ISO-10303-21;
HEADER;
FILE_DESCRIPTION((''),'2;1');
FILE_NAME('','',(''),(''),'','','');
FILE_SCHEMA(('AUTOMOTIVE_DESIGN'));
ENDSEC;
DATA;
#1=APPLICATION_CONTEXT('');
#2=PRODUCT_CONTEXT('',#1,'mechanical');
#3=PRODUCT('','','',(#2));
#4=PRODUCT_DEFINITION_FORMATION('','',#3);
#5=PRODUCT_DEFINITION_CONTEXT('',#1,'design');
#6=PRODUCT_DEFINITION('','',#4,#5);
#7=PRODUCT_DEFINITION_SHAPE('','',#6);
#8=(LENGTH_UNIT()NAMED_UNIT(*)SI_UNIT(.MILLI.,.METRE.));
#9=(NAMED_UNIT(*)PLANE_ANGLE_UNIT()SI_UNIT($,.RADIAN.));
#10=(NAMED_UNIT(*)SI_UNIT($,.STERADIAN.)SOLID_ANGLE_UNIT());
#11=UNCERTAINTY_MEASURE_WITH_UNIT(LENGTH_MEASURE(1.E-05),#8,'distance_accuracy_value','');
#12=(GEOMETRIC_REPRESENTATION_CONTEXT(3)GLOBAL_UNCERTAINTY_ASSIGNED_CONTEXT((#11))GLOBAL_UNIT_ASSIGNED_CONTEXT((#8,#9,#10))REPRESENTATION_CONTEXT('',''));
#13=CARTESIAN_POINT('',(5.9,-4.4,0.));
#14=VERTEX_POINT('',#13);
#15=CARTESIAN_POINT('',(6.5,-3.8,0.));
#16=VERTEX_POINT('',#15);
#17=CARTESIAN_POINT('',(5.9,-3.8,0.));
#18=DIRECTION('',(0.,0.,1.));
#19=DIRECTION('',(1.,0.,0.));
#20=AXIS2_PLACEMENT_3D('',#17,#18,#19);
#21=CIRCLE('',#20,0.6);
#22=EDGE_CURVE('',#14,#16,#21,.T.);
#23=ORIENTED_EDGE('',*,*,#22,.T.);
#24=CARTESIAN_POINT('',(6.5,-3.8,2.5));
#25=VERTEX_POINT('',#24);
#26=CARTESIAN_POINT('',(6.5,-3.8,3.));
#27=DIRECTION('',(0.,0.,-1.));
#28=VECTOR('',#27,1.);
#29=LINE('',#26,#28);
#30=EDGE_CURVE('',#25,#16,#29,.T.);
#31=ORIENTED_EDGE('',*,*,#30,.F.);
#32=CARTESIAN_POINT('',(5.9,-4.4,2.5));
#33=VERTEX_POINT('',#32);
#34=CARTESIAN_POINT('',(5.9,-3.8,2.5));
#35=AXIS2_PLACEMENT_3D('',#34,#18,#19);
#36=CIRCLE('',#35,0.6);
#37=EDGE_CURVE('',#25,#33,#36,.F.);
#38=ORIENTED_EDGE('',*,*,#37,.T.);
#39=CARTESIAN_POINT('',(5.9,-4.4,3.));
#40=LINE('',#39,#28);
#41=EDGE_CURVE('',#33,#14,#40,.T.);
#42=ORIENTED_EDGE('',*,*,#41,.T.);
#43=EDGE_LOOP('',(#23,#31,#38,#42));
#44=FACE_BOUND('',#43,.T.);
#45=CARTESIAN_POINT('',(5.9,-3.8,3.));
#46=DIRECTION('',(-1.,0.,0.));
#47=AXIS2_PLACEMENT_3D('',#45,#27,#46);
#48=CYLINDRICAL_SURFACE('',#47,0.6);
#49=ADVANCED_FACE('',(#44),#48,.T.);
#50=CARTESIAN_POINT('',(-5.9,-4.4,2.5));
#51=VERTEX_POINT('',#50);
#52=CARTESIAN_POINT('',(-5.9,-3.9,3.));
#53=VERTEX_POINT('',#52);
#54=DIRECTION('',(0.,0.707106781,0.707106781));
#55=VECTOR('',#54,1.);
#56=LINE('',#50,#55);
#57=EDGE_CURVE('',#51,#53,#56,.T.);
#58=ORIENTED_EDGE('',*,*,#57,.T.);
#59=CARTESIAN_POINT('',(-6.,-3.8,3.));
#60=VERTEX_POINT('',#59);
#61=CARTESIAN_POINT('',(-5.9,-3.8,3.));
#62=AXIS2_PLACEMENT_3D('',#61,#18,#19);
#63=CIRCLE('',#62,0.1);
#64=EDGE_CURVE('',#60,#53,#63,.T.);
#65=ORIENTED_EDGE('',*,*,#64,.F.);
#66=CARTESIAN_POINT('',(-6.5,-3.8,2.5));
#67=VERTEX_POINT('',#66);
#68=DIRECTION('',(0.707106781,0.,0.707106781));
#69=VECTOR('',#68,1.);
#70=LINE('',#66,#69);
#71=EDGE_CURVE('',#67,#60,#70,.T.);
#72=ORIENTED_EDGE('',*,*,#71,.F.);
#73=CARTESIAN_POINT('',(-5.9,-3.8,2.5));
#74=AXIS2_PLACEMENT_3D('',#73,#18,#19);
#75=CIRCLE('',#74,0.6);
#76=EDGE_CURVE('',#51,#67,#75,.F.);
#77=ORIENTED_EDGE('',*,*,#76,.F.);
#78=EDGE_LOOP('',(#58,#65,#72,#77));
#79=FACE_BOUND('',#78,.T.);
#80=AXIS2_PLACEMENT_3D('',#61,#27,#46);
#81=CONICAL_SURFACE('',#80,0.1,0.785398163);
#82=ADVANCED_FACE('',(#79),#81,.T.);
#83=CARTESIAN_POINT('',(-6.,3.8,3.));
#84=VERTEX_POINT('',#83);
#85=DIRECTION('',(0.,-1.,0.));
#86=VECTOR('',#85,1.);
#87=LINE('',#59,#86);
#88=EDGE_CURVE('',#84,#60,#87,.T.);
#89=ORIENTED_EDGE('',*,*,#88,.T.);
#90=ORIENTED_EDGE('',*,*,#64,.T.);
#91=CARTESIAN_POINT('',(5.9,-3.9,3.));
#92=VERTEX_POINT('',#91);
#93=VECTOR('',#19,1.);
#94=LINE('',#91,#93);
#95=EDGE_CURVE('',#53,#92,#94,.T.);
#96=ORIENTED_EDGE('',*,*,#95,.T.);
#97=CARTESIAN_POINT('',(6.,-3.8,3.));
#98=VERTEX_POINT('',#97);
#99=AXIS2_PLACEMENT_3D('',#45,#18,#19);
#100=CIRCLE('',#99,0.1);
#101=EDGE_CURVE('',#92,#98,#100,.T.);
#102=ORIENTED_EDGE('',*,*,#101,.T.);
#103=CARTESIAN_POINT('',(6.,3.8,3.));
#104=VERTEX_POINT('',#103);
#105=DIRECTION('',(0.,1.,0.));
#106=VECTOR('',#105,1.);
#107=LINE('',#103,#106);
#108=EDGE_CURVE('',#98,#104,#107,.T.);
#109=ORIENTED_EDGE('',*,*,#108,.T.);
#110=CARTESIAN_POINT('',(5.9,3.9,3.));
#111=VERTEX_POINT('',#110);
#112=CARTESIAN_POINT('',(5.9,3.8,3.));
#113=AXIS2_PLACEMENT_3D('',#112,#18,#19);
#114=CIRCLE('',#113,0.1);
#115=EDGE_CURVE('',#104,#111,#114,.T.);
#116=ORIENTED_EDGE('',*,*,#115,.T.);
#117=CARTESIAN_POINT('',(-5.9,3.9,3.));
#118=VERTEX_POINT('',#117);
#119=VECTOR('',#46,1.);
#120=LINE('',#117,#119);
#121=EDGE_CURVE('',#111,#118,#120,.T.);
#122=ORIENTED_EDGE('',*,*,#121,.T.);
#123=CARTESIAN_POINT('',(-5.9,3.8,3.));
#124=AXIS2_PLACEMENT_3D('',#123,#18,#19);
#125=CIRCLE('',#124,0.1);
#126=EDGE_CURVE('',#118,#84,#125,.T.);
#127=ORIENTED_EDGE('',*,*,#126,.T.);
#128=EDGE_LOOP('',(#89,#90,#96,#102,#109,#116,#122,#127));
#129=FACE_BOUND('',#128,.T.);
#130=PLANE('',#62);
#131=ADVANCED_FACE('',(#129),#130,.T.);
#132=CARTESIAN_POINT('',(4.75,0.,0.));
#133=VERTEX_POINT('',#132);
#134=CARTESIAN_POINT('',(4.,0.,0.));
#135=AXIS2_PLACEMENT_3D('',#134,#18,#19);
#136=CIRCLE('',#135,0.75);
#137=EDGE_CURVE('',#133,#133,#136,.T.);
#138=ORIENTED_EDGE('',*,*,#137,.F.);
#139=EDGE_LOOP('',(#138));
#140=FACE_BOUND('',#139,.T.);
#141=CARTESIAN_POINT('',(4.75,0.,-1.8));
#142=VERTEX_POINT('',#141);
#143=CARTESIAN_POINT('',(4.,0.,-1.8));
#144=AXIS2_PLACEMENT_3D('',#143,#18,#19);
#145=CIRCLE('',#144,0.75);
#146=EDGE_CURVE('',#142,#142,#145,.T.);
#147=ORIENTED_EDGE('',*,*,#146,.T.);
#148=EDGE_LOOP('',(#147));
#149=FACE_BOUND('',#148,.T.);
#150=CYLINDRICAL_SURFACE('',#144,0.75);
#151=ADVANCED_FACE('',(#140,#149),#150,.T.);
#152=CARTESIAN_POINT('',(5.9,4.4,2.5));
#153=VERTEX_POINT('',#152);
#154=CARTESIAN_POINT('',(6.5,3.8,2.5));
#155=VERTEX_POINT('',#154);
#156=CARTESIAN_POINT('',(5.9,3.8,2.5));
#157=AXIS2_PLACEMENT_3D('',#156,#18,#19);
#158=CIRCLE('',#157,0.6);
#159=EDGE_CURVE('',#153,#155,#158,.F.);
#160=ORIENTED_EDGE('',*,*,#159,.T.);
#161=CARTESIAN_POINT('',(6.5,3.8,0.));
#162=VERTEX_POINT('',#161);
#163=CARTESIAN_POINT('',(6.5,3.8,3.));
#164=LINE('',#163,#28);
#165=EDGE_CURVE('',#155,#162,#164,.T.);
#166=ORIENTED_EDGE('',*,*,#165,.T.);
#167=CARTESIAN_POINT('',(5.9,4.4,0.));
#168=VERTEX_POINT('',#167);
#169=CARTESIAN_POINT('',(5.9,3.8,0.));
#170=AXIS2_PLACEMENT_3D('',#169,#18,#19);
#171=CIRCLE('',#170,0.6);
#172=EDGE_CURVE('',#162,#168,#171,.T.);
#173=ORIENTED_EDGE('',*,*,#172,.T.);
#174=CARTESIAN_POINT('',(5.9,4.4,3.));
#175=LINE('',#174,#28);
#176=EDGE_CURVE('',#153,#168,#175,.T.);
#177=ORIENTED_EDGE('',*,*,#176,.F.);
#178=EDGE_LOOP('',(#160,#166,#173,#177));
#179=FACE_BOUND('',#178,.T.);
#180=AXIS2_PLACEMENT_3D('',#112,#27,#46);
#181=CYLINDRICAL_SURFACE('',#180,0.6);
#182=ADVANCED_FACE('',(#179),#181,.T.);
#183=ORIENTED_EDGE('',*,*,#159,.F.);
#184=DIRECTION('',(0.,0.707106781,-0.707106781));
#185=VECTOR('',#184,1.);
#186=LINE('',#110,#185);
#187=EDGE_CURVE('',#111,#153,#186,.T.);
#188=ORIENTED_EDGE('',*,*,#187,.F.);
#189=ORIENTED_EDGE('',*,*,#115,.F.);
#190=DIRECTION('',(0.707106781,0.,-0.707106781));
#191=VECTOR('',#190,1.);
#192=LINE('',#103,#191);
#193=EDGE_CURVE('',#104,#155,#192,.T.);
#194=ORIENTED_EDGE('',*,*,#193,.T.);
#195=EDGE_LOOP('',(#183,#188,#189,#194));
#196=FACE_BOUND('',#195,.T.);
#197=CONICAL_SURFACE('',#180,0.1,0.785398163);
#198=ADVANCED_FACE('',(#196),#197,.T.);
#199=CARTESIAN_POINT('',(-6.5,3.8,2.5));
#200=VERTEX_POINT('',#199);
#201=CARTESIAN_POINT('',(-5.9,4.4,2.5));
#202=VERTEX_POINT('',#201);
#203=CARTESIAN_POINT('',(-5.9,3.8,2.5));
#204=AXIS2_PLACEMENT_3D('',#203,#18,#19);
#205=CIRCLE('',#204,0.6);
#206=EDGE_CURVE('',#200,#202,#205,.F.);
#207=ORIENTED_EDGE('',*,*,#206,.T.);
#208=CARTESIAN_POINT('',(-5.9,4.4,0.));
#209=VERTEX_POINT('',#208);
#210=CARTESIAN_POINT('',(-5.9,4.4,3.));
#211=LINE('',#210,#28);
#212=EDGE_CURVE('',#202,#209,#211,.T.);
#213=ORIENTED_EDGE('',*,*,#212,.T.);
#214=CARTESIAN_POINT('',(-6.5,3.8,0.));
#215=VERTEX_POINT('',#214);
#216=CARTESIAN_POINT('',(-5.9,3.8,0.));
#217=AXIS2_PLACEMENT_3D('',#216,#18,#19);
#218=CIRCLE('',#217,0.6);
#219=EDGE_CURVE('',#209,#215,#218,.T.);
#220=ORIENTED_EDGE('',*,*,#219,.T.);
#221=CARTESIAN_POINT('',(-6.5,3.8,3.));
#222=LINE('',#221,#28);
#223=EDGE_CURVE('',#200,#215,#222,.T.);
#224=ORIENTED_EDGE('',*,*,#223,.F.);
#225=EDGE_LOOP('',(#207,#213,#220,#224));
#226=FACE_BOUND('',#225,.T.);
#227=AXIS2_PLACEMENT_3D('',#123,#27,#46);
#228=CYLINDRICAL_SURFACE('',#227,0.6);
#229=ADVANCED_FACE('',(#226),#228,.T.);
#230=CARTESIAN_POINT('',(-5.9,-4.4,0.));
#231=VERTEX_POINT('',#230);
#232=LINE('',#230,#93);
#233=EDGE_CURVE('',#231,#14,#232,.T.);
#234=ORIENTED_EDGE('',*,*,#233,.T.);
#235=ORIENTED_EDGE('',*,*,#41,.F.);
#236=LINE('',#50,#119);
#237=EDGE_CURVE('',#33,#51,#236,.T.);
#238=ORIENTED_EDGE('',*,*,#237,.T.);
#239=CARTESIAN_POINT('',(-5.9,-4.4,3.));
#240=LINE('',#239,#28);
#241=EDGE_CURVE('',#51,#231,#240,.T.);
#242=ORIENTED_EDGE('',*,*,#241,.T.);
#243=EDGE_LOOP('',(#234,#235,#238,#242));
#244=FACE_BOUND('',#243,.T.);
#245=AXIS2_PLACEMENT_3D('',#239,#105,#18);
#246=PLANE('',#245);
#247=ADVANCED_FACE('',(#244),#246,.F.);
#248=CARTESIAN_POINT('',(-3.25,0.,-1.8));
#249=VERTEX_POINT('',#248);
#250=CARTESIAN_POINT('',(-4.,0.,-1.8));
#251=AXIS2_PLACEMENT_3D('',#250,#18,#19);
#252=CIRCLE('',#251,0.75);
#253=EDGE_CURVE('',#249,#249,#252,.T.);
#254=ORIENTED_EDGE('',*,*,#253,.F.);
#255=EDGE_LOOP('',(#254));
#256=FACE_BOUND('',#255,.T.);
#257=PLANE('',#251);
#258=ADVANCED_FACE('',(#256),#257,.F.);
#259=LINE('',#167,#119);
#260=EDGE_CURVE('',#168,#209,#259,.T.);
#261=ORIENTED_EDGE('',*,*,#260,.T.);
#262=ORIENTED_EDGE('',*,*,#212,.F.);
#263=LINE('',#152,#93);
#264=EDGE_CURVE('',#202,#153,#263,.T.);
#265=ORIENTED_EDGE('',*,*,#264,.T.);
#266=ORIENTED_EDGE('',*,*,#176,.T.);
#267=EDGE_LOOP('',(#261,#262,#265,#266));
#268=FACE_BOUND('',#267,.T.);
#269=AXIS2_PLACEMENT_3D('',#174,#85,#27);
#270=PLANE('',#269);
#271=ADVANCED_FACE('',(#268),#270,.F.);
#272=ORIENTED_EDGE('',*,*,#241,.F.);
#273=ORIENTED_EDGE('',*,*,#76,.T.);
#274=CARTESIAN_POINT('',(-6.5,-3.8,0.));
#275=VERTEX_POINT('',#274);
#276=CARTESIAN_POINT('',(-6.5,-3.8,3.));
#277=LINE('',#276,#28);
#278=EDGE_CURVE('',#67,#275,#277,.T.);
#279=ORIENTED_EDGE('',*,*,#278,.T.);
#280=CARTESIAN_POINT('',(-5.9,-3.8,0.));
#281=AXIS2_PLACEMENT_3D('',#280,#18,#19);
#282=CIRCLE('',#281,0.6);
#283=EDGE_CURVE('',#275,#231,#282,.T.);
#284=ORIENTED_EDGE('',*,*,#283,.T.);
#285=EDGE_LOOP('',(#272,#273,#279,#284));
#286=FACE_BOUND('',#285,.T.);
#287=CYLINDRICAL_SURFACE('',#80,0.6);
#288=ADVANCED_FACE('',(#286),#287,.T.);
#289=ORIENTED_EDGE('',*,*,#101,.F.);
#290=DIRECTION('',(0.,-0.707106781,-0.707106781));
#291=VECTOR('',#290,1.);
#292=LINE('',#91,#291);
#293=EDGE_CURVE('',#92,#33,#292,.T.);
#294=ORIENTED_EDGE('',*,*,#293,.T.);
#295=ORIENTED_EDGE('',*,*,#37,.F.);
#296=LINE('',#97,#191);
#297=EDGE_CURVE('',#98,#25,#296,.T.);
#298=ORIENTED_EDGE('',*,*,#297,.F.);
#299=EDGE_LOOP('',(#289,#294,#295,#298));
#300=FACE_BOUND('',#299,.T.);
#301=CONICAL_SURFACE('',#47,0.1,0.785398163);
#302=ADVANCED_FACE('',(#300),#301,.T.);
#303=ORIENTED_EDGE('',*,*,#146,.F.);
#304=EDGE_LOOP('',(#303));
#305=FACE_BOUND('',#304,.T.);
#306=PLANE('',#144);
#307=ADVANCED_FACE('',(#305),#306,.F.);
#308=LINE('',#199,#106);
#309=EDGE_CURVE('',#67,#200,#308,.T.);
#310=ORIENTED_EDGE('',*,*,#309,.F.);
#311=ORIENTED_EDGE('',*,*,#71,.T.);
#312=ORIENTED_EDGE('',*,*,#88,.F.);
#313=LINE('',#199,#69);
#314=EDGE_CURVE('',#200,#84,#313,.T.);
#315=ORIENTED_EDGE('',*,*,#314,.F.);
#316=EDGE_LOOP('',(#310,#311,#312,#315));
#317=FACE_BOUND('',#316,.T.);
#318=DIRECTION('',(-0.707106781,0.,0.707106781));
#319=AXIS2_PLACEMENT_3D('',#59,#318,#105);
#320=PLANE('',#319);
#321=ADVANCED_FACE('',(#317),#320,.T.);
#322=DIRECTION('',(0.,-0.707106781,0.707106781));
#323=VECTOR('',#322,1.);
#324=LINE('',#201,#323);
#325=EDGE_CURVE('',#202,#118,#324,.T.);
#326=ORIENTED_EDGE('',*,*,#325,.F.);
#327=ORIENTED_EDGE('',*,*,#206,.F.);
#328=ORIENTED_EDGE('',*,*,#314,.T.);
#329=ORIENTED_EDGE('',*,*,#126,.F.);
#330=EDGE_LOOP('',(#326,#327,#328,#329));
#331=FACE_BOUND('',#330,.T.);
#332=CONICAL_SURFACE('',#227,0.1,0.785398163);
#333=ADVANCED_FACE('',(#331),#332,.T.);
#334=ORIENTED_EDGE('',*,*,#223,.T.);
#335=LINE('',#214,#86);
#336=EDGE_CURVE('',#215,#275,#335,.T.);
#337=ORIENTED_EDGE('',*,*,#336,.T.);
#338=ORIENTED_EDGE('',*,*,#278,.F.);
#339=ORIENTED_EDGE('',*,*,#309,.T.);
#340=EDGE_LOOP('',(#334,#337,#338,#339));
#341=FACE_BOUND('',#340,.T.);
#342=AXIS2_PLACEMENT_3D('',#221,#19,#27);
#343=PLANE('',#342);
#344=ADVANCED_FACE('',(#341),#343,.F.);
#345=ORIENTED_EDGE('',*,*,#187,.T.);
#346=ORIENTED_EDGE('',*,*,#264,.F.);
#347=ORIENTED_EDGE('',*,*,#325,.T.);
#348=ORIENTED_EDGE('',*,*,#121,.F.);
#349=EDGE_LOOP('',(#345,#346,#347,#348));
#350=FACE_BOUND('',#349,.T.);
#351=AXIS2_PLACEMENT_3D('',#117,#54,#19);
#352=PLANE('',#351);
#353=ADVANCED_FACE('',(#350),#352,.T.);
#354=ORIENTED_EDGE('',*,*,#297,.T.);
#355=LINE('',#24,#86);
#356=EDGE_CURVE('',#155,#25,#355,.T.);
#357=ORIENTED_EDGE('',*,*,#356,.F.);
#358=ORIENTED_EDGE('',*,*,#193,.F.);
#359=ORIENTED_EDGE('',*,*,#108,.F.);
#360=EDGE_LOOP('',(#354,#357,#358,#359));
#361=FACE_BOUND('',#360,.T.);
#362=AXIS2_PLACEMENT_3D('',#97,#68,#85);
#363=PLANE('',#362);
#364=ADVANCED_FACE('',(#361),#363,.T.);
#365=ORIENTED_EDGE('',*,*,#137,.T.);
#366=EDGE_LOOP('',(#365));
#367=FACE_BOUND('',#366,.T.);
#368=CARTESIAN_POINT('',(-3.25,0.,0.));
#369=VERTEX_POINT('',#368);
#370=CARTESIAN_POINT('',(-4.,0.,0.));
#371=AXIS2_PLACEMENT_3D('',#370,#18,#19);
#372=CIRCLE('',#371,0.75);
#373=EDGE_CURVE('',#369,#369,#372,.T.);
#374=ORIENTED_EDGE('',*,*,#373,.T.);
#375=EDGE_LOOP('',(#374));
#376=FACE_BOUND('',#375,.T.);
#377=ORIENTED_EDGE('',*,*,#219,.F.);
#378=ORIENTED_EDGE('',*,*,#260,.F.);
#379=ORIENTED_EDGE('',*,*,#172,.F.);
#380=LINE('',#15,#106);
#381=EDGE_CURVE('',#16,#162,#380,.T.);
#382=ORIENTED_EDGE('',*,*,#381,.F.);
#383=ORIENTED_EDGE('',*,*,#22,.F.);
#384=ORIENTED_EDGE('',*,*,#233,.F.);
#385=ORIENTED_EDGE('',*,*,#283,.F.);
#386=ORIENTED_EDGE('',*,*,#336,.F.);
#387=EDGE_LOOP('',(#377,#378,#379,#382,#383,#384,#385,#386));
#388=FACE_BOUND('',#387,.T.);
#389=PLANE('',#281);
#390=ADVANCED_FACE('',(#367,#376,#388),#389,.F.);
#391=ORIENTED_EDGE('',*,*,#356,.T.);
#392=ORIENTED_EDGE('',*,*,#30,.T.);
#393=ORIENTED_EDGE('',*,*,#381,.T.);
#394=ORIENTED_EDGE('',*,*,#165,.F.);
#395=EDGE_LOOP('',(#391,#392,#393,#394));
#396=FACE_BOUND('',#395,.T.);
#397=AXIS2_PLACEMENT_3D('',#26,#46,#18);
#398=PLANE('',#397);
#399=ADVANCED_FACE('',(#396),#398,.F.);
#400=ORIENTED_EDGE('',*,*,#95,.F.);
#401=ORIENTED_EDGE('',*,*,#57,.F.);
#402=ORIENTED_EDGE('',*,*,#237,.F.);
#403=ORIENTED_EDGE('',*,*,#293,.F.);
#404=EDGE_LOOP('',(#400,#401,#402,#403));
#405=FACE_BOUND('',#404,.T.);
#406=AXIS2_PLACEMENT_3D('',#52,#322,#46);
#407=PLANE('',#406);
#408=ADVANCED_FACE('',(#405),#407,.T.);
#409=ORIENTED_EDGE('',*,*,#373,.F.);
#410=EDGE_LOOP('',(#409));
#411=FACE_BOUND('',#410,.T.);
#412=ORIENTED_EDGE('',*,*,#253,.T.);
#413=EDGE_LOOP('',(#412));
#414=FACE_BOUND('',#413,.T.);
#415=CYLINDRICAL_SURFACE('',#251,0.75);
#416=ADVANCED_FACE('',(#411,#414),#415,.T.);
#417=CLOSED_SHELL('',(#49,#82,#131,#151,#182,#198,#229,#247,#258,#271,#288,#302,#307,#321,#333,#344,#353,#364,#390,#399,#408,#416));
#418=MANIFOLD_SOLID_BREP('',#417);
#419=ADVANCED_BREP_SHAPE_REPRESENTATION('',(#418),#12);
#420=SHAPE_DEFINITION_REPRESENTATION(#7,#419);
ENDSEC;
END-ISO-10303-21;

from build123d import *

# Parameters (mm, degrees)
COVER_FEATURE11_13X8_8_R0_6_H1_5_DEPTH    = 3
SKETCH_5_R                                = 0.75
LOCATING_PINS_D1_5_PITCH8_LENGTH1_8_DEPTH = 1.8
CHAMFER_1_SIZE                            = 0.5


with BuildPart() as part:
    # 草图4 → Cover_feature11_13x8.8_R0.6_H1.5 (new body)
    with BuildSketch(Plane.XY):
        with BuildLine():
            Line((-5.9, -4.4), (5.9, -4.4))
            ThreePointArc((5.9, -4.4), (6.324264069, -4.224264069), (6.5, -3.8))
            Line((6.5, -3.8), (6.5, 3.8))
            ThreePointArc((6.5, 3.8), (6.324264069, 4.224264069), (5.9, 4.4))
            Line((5.9, 4.4), (-5.9, 4.4))
            ThreePointArc((-5.9, 4.4), (-6.324264069, 4.224264069), (-6.5, 3.8))
            Line((-6.5, 3.8), (-6.5, -3.8))
            ThreePointArc((-6.5, -3.8), (-6.324264069, -4.224264069), (-5.9, -4.4))
        make_face()
    extrude(amount=COVER_FEATURE11_13X8_8_R0_6_H1_5_DEPTH)

    # 草图5 → Locating_pins_D1.5_pitch8_length1.8 (add)
    with BuildSketch(Plane.XY):
        with Locations((-4, 0)):
            Circle(SKETCH_5_R)
        with Locations((4, 0)):
            Circle(SKETCH_5_R)
    extrude(amount=-LOCATING_PINS_D1_5_PITCH8_LENGTH1_8_DEPTH)

    # 倒角1
    chamfer_1_edges = [part.edges().sort_by_distance(p)[0] for p in [
        (6.324264069, -4.224264069, 3),
        (6.5, 0, 3),
        (6.324264069, 4.224264069, 3),
        (0, 4.4, 3),
        (-6.324264069, 4.224264069, 3),
        (-6.5, 0, 3),
        (-6.324264069, -4.224264069, 3),
        (0, -4.4, 3),
    ]]
    chamfer(chamfer_1_edges, length=CHAMFER_1_SIZE)


solid = part.part
